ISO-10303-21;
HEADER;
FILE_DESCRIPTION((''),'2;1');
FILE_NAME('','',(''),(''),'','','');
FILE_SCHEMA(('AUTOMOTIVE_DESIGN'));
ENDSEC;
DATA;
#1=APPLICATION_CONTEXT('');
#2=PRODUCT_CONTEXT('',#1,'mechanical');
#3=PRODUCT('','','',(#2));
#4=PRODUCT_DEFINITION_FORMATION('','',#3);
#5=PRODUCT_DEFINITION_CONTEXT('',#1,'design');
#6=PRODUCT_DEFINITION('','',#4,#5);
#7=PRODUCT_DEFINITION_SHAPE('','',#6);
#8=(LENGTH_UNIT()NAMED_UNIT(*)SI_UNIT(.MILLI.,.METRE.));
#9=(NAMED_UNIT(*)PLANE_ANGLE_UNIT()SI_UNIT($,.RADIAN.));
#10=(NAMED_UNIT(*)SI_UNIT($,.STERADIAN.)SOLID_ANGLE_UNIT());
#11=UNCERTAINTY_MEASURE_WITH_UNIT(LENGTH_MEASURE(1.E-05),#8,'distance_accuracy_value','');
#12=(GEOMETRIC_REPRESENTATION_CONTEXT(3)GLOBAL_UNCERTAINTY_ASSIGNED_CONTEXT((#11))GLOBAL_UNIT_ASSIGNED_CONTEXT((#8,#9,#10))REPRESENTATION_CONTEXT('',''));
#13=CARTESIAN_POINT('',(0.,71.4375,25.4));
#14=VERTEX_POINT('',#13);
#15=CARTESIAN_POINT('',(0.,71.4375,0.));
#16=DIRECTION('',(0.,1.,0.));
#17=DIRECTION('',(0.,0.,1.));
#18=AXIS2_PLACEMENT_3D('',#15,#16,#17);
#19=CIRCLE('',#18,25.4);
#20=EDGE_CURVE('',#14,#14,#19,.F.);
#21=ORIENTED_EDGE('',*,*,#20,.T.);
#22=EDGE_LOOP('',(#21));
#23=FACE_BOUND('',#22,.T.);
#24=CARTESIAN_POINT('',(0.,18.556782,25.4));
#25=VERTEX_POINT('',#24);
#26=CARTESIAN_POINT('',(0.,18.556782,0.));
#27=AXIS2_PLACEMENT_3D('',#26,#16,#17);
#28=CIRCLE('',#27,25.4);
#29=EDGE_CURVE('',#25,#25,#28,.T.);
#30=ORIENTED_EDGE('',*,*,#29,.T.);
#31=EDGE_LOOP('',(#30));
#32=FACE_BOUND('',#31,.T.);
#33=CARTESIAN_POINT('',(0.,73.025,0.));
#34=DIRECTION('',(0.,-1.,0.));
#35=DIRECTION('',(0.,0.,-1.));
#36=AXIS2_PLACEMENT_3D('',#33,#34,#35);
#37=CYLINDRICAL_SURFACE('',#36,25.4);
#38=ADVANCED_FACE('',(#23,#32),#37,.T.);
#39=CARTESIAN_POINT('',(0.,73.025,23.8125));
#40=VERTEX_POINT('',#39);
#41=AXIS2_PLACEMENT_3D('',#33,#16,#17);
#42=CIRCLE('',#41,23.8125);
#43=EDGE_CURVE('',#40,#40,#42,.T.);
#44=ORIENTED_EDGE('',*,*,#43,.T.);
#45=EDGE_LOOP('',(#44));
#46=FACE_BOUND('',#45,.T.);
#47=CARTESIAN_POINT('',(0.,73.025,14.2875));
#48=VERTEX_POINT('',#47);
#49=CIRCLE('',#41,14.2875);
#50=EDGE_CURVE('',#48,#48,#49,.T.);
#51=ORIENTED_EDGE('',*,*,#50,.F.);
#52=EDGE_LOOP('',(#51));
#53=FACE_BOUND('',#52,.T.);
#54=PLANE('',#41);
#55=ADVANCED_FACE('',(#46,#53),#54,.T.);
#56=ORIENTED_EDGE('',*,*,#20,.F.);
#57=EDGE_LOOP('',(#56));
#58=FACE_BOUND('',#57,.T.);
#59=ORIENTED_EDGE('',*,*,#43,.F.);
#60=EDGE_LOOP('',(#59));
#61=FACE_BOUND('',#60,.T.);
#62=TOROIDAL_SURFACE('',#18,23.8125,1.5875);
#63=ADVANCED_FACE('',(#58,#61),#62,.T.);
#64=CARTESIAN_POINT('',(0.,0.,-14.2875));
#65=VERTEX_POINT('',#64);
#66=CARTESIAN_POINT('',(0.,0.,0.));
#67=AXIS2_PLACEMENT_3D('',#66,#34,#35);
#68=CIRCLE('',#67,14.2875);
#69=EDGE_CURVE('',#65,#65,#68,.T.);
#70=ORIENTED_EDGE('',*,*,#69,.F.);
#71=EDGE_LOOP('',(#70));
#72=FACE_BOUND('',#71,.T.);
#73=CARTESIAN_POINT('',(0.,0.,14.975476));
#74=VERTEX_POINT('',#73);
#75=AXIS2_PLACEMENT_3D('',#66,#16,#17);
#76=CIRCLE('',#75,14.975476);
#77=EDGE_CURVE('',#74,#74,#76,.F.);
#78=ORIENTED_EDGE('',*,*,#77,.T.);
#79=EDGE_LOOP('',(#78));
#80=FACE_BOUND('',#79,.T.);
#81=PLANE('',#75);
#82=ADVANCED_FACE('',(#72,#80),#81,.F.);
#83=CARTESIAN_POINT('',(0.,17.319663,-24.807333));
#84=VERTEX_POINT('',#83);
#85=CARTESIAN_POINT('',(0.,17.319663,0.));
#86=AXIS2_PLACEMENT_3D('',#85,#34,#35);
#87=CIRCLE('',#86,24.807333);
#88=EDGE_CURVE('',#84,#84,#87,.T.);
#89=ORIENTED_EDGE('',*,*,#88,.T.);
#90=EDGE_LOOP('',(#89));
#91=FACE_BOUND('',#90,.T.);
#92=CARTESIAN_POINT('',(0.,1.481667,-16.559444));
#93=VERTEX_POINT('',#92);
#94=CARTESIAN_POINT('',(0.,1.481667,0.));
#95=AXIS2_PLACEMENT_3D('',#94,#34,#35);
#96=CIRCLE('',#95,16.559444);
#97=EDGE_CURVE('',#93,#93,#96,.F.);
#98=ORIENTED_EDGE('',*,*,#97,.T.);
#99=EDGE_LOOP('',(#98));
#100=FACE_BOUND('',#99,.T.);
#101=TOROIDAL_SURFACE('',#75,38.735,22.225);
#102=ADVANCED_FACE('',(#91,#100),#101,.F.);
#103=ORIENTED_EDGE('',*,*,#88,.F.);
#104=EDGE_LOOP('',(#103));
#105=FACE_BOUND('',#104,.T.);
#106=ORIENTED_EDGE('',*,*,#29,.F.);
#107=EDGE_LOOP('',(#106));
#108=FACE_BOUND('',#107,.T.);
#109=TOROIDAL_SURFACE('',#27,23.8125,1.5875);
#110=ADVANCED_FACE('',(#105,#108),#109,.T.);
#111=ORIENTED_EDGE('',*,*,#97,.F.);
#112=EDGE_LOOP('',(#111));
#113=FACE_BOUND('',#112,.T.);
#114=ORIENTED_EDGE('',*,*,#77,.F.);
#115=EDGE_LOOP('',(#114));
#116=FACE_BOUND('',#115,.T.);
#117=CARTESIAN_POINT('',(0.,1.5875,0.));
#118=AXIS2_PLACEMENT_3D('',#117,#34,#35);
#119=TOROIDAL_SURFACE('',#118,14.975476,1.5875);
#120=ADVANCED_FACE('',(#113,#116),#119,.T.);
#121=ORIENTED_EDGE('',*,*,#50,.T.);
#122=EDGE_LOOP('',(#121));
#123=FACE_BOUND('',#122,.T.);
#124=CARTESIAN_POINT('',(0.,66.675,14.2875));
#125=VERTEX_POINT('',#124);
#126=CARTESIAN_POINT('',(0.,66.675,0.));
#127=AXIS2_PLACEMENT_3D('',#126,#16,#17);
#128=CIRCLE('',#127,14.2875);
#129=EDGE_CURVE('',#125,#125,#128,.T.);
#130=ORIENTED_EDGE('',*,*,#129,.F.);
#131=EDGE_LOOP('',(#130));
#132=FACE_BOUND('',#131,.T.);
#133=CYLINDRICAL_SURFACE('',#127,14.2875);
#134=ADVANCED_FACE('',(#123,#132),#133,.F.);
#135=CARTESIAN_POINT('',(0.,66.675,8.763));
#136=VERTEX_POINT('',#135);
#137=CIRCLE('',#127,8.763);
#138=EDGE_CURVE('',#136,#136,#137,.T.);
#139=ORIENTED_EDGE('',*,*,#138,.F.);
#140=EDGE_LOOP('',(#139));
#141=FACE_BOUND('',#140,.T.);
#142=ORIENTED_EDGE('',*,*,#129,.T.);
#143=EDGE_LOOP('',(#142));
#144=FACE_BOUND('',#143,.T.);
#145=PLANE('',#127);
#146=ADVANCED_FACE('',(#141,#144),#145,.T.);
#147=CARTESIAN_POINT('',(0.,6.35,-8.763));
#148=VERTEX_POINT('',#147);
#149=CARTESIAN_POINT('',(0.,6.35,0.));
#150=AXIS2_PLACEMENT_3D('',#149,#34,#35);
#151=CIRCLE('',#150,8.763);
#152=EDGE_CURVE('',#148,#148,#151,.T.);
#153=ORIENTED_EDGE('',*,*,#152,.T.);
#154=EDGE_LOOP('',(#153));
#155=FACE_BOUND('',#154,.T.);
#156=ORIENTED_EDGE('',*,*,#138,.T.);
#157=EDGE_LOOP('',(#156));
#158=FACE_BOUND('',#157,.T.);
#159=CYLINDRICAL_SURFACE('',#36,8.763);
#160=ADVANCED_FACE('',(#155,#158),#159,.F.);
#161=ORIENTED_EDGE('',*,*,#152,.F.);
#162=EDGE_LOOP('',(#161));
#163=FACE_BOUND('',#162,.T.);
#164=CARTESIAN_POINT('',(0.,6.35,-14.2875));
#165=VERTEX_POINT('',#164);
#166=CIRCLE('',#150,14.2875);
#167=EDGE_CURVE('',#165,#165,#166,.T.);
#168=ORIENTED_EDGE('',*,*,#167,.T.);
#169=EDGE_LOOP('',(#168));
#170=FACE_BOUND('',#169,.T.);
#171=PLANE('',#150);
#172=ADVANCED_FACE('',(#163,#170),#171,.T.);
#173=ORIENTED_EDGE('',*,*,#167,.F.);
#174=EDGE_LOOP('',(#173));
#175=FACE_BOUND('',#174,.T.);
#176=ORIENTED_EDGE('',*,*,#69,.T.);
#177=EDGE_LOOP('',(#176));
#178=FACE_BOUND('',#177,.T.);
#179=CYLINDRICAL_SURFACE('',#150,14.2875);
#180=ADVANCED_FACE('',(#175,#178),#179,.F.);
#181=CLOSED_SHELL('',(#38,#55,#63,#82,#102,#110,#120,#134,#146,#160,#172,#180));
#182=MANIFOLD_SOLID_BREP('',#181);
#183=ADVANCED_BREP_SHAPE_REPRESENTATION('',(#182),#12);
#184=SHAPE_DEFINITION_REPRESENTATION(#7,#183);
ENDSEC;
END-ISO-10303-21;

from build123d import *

# Parameters (mm, degrees)
SKETCH1_R               = 25.4
BOSS_EXTRUDE1_DEPTH     = 73.025
SKETCH2_R               = 14.2875
CUT_EXTRUDE1_DEPTH      = 6.35
CUT_EXTRUDE2_START      = -6.35
SKETCH3_R               = 14.2875
CUT_EXTRUDE2_DEPTH      = 6.35
CUT_EXTRUDE3_DEPTH      = 76.735563806
CUT_EXTRUDE3_DEPTH_BACK = 76.735563806
SKETCH4_R               = 8.763
SKETCH5_R               = 25.4
SKETCH5_R_2             = 16.51
CUT_EXTRUDE5_DEPTH      = 17.78
FILLET8_R               = 1.5875


with BuildPart() as part:
    # Sketch1 → Boss-Extrude1 (new body)
    with BuildSketch(Plane(origin=(0, 0, 0), x_dir=(1, 0, 0), z_dir=(0, 1, 0))):
        with Locations(Location((0, 0, 0), (0, 0, 270))):
            Circle(SKETCH1_R)
    extrude(amount=BOSS_EXTRUDE1_DEPTH)

    # Sketch2 → Cut-Extrude1 (cut)
    with BuildSketch(Plane(origin=(0, 73.025, 0), x_dir=(1, 0, 0), z_dir=(0, 1, 0))):
        with Locations(Location((0, 0, 0), (0, 0, 270))):
            Circle(SKETCH2_R)
    extrude(amount=-CUT_EXTRUDE1_DEPTH, mode=Mode.SUBTRACT)

    # Sketch3 → Cut-Extrude2 (cut)
    with BuildSketch(Plane.XZ.offset(CUT_EXTRUDE2_START)):
        with Locations(Location((0, 0, 0), (0, 0, 90))):
            Circle(SKETCH3_R)
    extrude(amount=CUT_EXTRUDE2_DEPTH, mode=Mode.SUBTRACT)

    # Sketch4 → Cut-Extrude3 (cut, two sides: drawn at the far end of the back side and taken through both)
    with BuildSketch(Plane.XZ.offset(-6.35).offset(-CUT_EXTRUDE3_DEPTH_BACK)):
        with Locations(Location((0, 0, 0), (0, 0, 270))):
            Circle(SKETCH4_R)
    extrude(amount=CUT_EXTRUDE3_DEPTH + CUT_EXTRUDE3_DEPTH_BACK, mode=Mode.SUBTRACT)

    # Sketch5 → Cut-Extrude5 (cut)
    with BuildSketch(Plane(origin=(0, 0, 0), x_dir=(-1, 0, 0), z_dir=(0, -1, 0))):
        with Locations(Location((0, 0, 0), (0, 0, 90))):
            Circle(SKETCH5_R)
        with Locations(Location((0, 0, 0), (0, 0, 90))):
            Circle(SKETCH5_R_2, mode=Mode.SUBTRACT)
    extrude(amount=-CUT_EXTRUDE5_DEPTH, mode=Mode.SUBTRACT)

    # Sketch10 → Revolve3 (revolve)
    with BuildSketch(Plane.XY, mode=Mode.PRIVATE) as revolve3_sk:
        with BuildLine():
            Line((-25.4, 17.78), (-16.51, 17.78))
            Line((-16.51, 17.78), (-16.51, 0))
            ThreePointArc((-16.51, 0), (-18.85635568, 9.93932216), (-25.4, 17.78))
        make_face()
    revolve(revolve3_sk.sketch.rotate(Axis((0, 0, 0), (0, -1, 0)), 90), axis=Axis((0, 0, 0), (0, -1, 0)))

    # Fillet8
    fillet8_edges = [part.edges().sort_by_distance(p)[0] for p in [
        (25.4, 17.78, 0),
        (0, 0, 16.51),
        (0, 73.025, -25.4),
    ]]
    fillet(fillet8_edges, radius=FILLET8_R)


solid = part.part
